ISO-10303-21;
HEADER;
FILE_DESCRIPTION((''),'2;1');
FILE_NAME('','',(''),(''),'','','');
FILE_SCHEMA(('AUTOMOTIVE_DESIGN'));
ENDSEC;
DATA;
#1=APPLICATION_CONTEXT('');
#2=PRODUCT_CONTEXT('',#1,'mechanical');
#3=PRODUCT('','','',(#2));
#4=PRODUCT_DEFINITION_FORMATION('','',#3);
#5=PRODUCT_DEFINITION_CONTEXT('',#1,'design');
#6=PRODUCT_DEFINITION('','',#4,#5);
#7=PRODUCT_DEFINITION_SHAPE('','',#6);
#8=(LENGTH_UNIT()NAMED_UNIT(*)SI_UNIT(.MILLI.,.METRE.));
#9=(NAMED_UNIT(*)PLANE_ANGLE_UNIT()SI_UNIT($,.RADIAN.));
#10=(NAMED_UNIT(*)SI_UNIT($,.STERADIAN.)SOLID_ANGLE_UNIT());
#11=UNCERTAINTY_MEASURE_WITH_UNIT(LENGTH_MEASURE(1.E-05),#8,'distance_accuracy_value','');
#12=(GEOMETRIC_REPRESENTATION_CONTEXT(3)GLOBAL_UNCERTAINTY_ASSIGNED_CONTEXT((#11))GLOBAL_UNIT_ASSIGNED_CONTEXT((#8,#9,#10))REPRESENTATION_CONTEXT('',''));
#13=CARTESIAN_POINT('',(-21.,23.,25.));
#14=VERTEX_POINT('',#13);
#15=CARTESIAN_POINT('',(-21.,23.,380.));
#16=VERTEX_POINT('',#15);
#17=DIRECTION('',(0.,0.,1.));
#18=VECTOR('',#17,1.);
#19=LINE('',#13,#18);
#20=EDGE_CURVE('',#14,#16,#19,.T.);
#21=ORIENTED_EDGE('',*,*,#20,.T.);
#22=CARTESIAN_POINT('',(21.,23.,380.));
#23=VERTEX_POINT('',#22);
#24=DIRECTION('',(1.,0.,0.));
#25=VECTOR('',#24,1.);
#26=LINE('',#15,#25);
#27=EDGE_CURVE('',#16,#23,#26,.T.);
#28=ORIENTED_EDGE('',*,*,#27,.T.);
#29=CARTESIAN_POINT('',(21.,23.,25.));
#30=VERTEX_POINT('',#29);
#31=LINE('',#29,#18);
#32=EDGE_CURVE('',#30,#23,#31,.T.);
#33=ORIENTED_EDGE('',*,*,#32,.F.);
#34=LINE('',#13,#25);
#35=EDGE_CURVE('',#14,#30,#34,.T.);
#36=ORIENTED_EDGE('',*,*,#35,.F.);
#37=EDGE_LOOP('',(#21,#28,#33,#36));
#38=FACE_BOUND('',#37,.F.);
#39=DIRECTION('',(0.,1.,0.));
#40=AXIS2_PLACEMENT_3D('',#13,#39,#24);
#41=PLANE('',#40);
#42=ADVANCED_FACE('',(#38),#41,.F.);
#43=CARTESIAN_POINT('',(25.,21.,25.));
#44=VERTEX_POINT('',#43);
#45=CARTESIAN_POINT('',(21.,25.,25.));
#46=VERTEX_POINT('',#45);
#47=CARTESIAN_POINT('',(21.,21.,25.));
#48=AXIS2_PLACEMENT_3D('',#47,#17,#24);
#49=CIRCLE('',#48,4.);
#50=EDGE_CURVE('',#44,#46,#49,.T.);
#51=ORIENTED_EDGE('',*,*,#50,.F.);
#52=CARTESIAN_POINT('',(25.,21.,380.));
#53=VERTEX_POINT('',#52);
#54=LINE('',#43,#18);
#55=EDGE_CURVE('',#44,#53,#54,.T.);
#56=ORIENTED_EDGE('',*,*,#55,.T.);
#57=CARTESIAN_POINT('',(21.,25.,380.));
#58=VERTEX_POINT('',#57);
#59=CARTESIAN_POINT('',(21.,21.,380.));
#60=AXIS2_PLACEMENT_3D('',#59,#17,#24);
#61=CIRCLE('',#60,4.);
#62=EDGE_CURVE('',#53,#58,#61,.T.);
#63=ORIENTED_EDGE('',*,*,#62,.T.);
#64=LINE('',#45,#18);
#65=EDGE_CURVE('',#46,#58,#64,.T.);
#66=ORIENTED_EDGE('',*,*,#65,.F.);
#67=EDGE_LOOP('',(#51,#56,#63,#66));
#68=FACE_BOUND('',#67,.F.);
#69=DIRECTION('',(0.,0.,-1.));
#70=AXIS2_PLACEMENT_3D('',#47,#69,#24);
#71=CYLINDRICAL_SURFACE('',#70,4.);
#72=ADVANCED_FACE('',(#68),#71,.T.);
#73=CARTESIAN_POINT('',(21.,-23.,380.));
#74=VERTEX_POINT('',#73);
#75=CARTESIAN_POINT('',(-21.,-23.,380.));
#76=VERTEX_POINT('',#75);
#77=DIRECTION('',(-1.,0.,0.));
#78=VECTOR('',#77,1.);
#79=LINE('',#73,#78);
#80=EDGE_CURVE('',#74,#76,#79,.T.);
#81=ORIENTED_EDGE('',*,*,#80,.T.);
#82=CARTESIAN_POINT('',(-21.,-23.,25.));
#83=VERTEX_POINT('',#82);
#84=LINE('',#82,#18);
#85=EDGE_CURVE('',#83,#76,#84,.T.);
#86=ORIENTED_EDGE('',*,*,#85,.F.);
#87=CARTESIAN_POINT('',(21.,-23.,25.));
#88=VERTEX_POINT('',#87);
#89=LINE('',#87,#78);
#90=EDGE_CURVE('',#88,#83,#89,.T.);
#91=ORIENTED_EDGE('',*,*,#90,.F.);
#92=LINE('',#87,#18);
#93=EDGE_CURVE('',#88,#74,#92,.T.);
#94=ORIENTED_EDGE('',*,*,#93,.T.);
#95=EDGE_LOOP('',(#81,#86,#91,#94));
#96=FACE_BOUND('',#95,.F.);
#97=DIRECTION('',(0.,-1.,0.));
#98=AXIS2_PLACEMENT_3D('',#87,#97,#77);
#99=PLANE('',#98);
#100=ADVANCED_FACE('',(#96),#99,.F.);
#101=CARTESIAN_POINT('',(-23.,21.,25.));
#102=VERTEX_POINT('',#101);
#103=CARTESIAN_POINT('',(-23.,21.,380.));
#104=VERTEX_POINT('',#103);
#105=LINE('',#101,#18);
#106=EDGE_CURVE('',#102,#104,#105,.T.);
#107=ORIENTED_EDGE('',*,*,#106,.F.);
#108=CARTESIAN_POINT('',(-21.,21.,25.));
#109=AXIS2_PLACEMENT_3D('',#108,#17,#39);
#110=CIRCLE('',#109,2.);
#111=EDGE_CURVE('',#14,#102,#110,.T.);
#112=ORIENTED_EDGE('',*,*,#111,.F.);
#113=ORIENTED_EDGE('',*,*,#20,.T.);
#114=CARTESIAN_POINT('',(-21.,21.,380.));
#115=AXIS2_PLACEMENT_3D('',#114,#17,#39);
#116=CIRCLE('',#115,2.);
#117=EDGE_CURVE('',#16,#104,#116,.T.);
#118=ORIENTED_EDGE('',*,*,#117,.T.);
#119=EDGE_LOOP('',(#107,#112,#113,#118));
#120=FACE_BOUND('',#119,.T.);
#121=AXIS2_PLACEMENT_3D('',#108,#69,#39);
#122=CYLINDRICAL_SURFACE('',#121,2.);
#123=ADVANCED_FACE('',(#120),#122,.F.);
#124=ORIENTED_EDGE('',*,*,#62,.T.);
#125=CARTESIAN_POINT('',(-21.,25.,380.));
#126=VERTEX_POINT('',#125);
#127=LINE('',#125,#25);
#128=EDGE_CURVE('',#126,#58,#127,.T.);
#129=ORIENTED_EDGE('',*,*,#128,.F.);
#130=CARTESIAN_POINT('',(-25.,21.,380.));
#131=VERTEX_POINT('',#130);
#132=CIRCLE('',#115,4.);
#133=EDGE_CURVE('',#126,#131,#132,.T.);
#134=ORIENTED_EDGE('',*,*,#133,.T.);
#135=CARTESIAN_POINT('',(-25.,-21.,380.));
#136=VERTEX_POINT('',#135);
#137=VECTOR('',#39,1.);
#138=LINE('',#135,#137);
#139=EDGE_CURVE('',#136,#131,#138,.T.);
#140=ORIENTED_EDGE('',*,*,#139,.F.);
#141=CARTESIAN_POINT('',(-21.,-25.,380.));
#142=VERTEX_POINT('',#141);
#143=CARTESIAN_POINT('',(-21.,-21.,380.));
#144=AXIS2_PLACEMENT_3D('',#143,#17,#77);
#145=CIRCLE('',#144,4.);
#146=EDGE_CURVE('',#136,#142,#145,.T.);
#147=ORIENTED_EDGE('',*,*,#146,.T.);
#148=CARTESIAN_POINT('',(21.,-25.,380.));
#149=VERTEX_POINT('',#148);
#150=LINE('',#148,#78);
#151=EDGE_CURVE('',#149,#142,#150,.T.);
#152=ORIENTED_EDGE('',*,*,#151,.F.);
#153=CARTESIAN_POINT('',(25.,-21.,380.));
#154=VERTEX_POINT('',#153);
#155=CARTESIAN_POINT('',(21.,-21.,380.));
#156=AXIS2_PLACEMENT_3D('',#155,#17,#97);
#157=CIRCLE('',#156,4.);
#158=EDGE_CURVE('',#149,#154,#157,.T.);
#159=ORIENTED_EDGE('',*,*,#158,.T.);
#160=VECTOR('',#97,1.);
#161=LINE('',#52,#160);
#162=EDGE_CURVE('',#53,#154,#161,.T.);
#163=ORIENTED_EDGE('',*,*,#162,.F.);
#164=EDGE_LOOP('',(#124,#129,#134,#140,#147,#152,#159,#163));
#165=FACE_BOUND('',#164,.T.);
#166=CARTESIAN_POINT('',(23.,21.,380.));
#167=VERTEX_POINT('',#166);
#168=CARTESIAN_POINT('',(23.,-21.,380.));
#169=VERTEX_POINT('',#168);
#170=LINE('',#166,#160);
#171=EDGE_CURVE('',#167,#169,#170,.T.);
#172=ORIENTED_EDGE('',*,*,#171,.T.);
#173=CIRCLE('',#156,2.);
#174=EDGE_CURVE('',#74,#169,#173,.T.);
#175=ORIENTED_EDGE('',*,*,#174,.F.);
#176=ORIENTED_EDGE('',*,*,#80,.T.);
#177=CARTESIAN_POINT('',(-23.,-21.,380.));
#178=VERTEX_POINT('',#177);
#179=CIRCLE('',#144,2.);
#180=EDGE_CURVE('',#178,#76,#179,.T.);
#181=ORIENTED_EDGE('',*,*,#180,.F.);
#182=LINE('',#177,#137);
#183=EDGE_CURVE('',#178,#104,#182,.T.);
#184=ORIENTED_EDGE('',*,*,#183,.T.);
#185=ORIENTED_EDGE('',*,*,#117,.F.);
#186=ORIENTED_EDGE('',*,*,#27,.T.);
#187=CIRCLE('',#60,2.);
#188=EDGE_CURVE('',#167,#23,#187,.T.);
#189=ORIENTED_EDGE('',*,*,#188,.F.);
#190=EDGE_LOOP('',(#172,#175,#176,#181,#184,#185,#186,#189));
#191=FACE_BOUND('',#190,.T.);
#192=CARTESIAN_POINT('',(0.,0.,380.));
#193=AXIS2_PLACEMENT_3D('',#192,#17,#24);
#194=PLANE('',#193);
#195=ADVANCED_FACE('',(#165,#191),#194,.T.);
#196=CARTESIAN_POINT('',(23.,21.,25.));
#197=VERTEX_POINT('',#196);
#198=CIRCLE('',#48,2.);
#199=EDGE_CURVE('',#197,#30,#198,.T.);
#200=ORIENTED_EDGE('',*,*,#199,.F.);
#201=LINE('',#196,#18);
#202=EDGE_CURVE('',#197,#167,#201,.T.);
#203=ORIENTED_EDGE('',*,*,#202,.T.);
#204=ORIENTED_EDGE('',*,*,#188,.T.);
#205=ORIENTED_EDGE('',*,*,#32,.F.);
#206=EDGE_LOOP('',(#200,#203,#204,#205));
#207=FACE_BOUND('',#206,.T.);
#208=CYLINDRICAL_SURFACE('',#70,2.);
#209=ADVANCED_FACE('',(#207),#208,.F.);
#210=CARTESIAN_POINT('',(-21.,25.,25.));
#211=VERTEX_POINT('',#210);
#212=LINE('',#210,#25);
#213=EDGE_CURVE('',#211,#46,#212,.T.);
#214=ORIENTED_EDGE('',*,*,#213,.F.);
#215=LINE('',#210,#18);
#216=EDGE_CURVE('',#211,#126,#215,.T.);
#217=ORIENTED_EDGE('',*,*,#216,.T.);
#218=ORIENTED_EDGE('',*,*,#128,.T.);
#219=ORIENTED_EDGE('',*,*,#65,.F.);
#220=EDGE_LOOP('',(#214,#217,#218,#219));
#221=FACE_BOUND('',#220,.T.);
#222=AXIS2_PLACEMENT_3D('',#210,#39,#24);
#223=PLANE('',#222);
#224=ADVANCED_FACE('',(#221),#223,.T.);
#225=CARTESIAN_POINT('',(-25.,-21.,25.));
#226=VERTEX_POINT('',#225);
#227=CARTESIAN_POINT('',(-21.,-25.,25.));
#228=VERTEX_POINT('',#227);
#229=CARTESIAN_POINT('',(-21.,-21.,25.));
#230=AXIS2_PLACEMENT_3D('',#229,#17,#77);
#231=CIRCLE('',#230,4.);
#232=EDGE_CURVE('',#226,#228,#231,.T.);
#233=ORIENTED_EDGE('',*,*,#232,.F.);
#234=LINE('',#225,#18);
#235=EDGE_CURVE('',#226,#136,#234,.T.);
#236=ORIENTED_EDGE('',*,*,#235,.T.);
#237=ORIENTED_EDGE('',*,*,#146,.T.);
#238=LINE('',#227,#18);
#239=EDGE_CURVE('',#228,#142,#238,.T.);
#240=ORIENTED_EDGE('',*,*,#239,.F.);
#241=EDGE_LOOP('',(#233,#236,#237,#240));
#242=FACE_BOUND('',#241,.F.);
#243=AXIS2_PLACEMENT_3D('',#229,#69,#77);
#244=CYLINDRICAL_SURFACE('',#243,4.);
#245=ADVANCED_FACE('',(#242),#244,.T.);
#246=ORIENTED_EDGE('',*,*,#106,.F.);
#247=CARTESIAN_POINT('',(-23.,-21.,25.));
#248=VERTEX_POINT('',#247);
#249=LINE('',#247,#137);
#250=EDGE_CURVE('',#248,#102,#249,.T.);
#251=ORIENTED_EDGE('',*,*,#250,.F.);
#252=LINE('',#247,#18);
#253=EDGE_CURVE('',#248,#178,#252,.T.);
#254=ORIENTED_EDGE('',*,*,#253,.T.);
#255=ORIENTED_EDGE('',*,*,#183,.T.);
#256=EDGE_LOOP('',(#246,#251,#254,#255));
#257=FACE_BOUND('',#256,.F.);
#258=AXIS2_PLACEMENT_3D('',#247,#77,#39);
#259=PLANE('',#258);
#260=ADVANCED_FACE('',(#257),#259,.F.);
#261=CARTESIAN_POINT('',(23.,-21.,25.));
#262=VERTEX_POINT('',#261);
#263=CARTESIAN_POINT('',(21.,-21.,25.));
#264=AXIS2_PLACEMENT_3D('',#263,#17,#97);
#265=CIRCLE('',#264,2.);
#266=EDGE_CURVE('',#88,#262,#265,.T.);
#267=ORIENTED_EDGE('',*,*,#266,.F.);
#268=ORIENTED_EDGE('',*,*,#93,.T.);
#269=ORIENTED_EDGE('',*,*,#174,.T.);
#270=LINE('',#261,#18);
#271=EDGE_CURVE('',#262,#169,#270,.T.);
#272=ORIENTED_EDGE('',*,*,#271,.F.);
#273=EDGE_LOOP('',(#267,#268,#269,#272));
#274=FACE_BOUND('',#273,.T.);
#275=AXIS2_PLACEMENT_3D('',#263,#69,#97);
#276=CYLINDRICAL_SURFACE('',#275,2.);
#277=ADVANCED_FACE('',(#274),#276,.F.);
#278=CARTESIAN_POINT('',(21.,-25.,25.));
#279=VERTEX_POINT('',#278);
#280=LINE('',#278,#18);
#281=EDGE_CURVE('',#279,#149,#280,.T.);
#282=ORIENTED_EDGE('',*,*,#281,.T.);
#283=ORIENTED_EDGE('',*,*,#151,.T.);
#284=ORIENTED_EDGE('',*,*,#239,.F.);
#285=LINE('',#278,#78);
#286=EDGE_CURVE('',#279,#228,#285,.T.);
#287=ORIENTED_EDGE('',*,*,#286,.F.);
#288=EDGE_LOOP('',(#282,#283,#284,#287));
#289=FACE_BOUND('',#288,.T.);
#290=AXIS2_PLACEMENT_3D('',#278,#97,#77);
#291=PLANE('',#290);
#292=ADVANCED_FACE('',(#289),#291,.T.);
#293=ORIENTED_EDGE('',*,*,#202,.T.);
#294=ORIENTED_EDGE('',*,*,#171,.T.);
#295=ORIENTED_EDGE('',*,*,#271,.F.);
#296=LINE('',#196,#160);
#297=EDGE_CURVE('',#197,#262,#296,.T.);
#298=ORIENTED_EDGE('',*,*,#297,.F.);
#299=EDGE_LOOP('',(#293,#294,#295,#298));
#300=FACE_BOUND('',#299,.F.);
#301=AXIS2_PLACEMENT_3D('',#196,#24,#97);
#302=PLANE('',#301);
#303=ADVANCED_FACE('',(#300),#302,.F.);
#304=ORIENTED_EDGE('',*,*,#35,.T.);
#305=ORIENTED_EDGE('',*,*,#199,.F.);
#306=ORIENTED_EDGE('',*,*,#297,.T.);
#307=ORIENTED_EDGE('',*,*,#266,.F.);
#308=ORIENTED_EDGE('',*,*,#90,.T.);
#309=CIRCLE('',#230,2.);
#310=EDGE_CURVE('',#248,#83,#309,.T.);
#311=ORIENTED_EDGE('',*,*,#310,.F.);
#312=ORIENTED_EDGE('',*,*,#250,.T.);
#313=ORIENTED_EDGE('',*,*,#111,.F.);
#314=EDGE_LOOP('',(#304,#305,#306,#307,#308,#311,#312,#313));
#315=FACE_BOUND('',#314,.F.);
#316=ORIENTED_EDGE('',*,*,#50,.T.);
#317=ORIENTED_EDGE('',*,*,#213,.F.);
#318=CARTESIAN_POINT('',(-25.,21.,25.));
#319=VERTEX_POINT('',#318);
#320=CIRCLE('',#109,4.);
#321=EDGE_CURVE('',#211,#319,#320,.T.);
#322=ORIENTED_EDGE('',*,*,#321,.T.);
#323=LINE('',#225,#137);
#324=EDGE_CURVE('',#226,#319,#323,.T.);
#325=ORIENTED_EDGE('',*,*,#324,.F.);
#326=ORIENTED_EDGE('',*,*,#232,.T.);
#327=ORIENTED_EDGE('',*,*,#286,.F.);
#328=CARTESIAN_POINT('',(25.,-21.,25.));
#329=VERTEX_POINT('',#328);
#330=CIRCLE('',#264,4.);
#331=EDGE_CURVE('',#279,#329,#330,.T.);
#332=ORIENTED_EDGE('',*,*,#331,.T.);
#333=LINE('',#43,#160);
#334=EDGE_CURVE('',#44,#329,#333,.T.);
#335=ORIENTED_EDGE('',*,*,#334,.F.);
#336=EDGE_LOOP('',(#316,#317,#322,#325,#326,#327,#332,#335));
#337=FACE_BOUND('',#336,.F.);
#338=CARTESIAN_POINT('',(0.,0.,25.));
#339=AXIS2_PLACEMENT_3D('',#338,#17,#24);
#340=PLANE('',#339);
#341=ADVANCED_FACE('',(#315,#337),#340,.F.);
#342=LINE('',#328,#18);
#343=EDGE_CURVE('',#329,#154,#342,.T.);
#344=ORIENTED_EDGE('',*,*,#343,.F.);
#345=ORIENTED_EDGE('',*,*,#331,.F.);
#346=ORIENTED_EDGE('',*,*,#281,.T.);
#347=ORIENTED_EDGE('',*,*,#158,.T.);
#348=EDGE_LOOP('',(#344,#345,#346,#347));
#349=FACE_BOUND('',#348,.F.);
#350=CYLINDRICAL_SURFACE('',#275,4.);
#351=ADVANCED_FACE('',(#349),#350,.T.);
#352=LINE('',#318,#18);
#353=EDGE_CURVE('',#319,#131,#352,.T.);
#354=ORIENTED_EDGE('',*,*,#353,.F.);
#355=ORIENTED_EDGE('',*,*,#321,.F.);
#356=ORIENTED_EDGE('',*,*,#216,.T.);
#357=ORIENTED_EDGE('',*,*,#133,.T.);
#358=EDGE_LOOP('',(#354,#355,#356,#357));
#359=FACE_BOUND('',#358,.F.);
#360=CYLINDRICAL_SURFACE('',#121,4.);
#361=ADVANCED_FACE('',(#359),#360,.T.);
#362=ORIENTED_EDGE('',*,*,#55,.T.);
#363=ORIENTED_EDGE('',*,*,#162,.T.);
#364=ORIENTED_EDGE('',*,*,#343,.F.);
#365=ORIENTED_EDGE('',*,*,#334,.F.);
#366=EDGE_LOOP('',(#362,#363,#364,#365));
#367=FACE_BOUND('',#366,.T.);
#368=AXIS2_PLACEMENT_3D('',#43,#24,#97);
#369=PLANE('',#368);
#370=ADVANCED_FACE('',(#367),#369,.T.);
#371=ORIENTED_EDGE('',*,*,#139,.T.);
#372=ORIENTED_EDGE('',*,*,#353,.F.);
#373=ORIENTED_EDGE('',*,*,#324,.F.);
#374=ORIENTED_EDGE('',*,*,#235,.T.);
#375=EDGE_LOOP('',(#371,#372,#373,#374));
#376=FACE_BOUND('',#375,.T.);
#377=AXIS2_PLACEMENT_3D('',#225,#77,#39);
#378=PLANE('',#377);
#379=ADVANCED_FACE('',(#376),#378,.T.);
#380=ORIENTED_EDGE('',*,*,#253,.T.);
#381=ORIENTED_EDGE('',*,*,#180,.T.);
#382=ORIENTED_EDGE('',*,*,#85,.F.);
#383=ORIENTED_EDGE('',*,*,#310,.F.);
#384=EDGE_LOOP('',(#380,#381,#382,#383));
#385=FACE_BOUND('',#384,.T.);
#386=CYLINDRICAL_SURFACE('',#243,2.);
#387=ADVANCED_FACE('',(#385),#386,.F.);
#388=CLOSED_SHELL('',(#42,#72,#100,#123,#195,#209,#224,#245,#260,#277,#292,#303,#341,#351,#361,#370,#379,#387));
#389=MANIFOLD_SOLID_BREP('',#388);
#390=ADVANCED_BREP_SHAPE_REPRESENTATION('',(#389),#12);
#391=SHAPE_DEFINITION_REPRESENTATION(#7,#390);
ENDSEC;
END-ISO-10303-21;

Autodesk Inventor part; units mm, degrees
ref_plane "Plano inicial" through (0, 0, 25) normal (0, 0, 1) x (1, 0, 0)
ref_plane "Plano final" through (0, 0, 380) normal (0, 0, 1) x (1, 0, 0)
sketch "Boceto" plane through (0, 0, 0) normal (0, 0, 1) x (1, 0, 0)
  line L0 (-25, -21) -> (-25, 21)
  line L1 (-21, 25) -> (21, 25)
  line L2 (25, 21) -> (25, -21)
  line L3 (21, -25) -> (-21, -25)
  arc A0 (-25, -21) -> (-21, -25) centre (-21, -21) ccw
  arc A1 (25, 21) -> (21, 25) centre (21, 21) ccw
  arc A2 (-21, 25) -> (-25, 21) centre (-21, 21) ccw
  arc A3 (21, -25) -> (25, -21) centre (21, -21) ccw
  arc A4 (-21, 23) -> (-23, 21) centre (-21, 21) ccw
  line L4 (-21, 23) -> (21, 23)
  arc A5 (23, 21) -> (21, 23) centre (21, 21) ccw
  line L5 (23, 21) -> (23, -21)
  arc A6 (21, -23) -> (23, -21) centre (21, -21) ccw
  line L6 (21, -23) -> (-21, -23)
  arc A7 (-23, -21) -> (-21, -23) centre (-21, -21) ccw
  line L7 (-23, -21) -> (-23, 21)
  line L8 (0, 36.1598) -> (0, -36.1598) construction
  line L9 (-36.1598, 0) -> (36.1598, 0) construction
  dimension "d7" = 4
  dimension "d9" = 50
  dimension "d11" = 50
  dimension "d12" = 2
  dimension "d15" = 25
  dimension "d16" = 25
extrude "Cuerpo" add sketch "Boceto" along normal up to surface (355 mm away) from surface at 25
sketch "Sketch3" plane through (0, 0, 0) normal (0, 0, 1) x (1, 0, 0)
  line L0 (0, 0) -> (10, 0)
ref_plane "Work Plane3" through (0, 0, 0) normal (0, -1, 0) x (1, 0, 0)
sketch "Sketch4" plane through (0, 0, 0) normal (0, -1, 0) x (1, 0, 0)
  line L0 (-2, 25) -> (12, 25)
  line L1 (-2, 380) -> (12, 380)
  dimension "d18" = 355
ref_plane "Plano de trabajo4" through (-350.06, 21, 380) normal (0, 0, 1) x (1, 0, 0)
split "Dividir1" plane through (-350.06, 21, 380) removes the side toward (0, 0, 1)
ref_plane "Plano de trabajo5" through (-350.06, -21, 25) normal (0, 0, -1) x (-1, 0, 0)
split "Dividir2" plane through (-350.06, -21, 25) removes the side toward (0, 0, -1)
equation "\"d7\" = G_IR"
equation "\"d9\" = G_W"
equation "\"d11\" = G_H"
equation "\"d12\" = G_T"
equation "\"d15\" = 0.5 * d9"
equation "\"d16\" = 0.5 * d11"
equation "\"d3\" = G_L"
equation "\"G_W\" = 50"
equation "\"G_H\" = 50"
equation "\"G_T\" = 2"
equation "\"G_IR\" = 4"
equation "\"G_L\" = d18"
equation "\"G_OFFSET_START\" = -25"
equation "\"G_OFFSET_END\" = -25"
equation "\"d13\" = -G_OFFSET_START"
equation "\"B_L\" = 405"
properties part number "ISO 10799-2 - 50x50x2 - 355" material "Galvanizado catalogo 1"
